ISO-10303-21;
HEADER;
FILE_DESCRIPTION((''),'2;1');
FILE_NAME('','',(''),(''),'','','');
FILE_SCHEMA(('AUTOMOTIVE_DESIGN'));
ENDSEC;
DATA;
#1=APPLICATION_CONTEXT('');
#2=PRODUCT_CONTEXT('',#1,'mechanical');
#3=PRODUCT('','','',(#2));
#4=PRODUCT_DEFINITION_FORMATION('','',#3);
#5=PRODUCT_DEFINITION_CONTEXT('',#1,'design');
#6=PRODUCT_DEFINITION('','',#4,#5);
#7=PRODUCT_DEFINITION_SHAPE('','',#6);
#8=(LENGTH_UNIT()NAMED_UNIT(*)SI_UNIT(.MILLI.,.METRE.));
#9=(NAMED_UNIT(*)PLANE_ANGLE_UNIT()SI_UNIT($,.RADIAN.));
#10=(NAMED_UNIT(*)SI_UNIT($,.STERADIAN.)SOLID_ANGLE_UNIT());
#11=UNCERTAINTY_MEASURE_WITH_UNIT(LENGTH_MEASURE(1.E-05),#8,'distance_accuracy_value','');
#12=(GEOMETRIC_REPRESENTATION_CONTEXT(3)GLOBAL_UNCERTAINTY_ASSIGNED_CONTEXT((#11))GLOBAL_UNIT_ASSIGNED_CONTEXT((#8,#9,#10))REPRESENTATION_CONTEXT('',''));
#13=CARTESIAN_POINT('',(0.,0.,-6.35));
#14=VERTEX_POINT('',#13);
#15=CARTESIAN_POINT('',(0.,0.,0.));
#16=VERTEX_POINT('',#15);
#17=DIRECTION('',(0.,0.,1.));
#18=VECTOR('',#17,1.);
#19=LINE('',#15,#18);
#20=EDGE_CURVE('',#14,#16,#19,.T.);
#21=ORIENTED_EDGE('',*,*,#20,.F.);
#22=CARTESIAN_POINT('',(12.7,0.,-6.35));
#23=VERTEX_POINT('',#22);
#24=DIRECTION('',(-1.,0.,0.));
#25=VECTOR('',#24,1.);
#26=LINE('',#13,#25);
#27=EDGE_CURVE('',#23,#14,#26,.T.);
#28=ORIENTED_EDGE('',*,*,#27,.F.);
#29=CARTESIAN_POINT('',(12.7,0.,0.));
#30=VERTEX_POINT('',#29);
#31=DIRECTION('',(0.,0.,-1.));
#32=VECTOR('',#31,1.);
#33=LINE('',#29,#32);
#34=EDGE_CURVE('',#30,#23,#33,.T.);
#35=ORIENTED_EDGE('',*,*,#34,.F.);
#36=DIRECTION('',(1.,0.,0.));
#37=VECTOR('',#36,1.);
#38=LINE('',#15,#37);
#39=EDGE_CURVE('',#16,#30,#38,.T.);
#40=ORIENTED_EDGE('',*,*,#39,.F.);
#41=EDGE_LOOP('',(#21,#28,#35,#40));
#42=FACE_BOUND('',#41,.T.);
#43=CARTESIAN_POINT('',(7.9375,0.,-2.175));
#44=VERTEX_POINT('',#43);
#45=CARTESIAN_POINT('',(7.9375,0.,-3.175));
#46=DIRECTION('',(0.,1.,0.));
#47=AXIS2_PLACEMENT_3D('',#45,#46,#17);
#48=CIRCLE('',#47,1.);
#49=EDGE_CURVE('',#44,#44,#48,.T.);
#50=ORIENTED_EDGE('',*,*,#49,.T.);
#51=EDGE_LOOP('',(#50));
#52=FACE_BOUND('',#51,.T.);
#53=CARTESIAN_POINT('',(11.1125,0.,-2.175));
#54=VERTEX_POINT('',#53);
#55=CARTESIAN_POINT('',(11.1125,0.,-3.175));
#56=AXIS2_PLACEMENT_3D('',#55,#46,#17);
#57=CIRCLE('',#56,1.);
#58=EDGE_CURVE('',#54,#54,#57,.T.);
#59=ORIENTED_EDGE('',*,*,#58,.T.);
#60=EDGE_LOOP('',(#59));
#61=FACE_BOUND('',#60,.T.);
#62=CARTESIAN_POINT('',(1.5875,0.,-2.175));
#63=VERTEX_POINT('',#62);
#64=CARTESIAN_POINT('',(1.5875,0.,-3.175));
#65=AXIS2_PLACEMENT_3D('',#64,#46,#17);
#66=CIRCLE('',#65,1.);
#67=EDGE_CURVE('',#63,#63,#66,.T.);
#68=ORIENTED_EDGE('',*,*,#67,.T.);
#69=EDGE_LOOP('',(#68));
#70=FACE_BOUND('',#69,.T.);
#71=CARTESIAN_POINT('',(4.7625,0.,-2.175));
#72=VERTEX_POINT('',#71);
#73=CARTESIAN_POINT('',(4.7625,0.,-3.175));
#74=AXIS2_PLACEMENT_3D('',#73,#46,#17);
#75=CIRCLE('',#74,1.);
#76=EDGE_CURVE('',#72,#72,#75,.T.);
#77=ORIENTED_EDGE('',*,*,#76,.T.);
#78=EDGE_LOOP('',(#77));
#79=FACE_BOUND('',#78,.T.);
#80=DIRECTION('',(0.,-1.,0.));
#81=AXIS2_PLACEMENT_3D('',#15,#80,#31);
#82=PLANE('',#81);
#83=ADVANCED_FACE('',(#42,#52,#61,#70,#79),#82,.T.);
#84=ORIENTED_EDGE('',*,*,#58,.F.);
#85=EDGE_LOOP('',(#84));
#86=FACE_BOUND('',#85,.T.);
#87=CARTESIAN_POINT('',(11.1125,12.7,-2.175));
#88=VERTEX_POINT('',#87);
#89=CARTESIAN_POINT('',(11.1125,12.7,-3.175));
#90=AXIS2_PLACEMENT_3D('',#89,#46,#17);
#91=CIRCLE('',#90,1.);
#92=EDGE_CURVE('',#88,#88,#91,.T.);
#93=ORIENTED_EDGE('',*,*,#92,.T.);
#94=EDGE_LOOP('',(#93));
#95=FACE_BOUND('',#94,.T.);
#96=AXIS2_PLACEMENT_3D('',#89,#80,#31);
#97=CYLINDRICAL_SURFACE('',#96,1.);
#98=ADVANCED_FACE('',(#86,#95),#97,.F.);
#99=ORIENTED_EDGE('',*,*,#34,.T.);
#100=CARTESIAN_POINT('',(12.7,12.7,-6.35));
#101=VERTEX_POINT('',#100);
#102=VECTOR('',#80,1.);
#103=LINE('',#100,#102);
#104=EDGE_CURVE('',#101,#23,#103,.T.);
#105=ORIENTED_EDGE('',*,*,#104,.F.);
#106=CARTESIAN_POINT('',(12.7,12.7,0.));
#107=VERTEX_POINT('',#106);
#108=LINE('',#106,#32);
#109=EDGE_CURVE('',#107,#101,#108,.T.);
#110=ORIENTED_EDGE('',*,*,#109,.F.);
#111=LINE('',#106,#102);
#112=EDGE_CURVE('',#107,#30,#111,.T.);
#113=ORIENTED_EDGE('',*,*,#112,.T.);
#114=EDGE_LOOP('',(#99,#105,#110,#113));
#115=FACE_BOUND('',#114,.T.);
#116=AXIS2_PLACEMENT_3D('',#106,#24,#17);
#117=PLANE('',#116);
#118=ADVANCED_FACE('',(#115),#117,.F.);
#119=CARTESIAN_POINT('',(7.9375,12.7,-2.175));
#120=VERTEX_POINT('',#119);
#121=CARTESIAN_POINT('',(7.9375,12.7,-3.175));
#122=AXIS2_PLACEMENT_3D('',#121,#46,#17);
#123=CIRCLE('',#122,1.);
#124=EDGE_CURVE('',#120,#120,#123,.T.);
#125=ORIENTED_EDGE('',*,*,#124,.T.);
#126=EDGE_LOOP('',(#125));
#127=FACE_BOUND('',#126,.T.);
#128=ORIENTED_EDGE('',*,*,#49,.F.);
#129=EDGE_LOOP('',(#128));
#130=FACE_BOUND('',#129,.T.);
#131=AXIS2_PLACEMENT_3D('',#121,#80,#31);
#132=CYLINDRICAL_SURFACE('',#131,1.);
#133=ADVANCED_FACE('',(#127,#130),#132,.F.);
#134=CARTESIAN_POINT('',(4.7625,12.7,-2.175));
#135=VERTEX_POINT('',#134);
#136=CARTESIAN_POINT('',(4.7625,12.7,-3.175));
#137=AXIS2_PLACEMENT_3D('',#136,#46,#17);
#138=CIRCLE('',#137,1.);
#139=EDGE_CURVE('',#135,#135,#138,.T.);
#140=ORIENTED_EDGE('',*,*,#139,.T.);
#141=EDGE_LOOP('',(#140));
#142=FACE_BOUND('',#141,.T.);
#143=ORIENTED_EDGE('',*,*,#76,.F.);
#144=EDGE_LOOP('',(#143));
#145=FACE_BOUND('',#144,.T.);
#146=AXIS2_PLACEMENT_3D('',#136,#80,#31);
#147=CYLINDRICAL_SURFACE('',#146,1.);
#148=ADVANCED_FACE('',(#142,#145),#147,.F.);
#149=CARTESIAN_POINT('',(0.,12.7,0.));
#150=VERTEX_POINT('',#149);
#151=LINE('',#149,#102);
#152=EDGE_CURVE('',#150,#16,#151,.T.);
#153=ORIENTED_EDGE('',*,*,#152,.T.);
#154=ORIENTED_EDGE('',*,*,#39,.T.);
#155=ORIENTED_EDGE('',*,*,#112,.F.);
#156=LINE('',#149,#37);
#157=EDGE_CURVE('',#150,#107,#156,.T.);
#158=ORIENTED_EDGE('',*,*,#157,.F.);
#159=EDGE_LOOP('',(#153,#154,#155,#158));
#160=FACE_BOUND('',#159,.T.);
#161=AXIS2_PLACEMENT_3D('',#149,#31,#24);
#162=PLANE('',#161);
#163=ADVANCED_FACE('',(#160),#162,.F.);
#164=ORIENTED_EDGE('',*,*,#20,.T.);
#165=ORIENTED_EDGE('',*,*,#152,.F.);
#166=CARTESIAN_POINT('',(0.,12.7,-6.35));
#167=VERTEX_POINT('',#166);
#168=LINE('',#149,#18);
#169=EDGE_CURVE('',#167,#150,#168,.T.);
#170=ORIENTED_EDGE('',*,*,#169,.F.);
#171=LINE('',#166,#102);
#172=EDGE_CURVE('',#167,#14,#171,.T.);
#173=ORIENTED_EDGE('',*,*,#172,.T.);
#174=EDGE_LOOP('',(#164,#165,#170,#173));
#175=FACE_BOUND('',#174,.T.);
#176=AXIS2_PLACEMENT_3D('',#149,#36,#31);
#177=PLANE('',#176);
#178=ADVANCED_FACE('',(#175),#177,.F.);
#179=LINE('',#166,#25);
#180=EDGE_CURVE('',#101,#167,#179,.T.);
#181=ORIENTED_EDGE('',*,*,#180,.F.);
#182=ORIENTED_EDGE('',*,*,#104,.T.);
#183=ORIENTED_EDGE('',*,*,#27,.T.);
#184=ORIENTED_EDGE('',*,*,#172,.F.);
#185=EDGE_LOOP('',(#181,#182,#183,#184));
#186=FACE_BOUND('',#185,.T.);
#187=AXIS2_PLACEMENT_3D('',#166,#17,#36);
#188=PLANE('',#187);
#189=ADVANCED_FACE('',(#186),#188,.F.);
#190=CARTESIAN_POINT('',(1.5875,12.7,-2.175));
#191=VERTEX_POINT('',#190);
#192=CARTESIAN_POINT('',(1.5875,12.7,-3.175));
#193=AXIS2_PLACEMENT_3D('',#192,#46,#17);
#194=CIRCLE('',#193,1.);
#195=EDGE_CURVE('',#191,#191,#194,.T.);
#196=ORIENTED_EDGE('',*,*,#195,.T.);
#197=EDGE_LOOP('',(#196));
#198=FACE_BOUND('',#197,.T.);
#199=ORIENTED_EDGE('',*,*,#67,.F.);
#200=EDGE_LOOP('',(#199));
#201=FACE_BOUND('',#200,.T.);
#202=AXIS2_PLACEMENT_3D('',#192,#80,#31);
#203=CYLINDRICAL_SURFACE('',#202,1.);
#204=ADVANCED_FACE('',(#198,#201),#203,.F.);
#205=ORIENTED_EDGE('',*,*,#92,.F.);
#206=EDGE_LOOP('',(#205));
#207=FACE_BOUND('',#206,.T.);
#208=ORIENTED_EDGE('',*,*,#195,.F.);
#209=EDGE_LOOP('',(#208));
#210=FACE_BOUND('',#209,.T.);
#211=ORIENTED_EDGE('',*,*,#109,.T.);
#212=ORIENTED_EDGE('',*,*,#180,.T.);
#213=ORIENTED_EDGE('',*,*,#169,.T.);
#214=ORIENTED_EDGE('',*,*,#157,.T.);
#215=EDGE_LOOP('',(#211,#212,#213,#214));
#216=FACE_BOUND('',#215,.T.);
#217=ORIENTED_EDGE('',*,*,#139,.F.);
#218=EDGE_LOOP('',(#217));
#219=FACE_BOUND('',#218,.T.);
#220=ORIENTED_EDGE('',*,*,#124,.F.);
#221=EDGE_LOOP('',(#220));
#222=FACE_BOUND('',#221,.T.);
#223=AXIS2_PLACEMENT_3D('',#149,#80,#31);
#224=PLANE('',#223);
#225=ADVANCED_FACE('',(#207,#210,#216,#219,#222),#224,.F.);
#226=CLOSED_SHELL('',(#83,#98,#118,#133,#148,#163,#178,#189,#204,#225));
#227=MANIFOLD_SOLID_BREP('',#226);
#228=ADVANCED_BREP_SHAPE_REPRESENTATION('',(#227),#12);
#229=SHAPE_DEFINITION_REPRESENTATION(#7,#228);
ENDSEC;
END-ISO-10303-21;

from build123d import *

# Parameters (mm, degrees)
SKETCH1_W           = 12.7
SKETCH1_H           = 6.35
SKETCH1_R           = 1
BOSS_EXTRUDE1_DEPTH = 12.7


with BuildPart() as part:
    # Sketch1 → Boss-Extrude1 (new body)
    with BuildSketch(Plane(origin=(0, 0, 0), x_dir=(1, 0, 0), z_dir=(0, 1, 0))):
        with Locations((6.35, 3.175)):
            Rectangle(SKETCH1_W, SKETCH1_H)
        with Locations(Location((1.5875, 3.175, 0), (0, 0, 270))):
            Circle(SKETCH1_R, mode=Mode.SUBTRACT)
        with Locations(Location((4.7625, 3.175, 0), (0, 0, 270))):
            Circle(SKETCH1_R, mode=Mode.SUBTRACT)
        with Locations(Location((7.9375, 3.175, 0), (0, 0, 270))):
            Circle(SKETCH1_R, mode=Mode.SUBTRACT)
        with Locations(Location((11.1125, 3.175, 0), (0, 0, 270))):
            Circle(SKETCH1_R, mode=Mode.SUBTRACT)
    extrude(amount=BOSS_EXTRUDE1_DEPTH)


solid = part.part
